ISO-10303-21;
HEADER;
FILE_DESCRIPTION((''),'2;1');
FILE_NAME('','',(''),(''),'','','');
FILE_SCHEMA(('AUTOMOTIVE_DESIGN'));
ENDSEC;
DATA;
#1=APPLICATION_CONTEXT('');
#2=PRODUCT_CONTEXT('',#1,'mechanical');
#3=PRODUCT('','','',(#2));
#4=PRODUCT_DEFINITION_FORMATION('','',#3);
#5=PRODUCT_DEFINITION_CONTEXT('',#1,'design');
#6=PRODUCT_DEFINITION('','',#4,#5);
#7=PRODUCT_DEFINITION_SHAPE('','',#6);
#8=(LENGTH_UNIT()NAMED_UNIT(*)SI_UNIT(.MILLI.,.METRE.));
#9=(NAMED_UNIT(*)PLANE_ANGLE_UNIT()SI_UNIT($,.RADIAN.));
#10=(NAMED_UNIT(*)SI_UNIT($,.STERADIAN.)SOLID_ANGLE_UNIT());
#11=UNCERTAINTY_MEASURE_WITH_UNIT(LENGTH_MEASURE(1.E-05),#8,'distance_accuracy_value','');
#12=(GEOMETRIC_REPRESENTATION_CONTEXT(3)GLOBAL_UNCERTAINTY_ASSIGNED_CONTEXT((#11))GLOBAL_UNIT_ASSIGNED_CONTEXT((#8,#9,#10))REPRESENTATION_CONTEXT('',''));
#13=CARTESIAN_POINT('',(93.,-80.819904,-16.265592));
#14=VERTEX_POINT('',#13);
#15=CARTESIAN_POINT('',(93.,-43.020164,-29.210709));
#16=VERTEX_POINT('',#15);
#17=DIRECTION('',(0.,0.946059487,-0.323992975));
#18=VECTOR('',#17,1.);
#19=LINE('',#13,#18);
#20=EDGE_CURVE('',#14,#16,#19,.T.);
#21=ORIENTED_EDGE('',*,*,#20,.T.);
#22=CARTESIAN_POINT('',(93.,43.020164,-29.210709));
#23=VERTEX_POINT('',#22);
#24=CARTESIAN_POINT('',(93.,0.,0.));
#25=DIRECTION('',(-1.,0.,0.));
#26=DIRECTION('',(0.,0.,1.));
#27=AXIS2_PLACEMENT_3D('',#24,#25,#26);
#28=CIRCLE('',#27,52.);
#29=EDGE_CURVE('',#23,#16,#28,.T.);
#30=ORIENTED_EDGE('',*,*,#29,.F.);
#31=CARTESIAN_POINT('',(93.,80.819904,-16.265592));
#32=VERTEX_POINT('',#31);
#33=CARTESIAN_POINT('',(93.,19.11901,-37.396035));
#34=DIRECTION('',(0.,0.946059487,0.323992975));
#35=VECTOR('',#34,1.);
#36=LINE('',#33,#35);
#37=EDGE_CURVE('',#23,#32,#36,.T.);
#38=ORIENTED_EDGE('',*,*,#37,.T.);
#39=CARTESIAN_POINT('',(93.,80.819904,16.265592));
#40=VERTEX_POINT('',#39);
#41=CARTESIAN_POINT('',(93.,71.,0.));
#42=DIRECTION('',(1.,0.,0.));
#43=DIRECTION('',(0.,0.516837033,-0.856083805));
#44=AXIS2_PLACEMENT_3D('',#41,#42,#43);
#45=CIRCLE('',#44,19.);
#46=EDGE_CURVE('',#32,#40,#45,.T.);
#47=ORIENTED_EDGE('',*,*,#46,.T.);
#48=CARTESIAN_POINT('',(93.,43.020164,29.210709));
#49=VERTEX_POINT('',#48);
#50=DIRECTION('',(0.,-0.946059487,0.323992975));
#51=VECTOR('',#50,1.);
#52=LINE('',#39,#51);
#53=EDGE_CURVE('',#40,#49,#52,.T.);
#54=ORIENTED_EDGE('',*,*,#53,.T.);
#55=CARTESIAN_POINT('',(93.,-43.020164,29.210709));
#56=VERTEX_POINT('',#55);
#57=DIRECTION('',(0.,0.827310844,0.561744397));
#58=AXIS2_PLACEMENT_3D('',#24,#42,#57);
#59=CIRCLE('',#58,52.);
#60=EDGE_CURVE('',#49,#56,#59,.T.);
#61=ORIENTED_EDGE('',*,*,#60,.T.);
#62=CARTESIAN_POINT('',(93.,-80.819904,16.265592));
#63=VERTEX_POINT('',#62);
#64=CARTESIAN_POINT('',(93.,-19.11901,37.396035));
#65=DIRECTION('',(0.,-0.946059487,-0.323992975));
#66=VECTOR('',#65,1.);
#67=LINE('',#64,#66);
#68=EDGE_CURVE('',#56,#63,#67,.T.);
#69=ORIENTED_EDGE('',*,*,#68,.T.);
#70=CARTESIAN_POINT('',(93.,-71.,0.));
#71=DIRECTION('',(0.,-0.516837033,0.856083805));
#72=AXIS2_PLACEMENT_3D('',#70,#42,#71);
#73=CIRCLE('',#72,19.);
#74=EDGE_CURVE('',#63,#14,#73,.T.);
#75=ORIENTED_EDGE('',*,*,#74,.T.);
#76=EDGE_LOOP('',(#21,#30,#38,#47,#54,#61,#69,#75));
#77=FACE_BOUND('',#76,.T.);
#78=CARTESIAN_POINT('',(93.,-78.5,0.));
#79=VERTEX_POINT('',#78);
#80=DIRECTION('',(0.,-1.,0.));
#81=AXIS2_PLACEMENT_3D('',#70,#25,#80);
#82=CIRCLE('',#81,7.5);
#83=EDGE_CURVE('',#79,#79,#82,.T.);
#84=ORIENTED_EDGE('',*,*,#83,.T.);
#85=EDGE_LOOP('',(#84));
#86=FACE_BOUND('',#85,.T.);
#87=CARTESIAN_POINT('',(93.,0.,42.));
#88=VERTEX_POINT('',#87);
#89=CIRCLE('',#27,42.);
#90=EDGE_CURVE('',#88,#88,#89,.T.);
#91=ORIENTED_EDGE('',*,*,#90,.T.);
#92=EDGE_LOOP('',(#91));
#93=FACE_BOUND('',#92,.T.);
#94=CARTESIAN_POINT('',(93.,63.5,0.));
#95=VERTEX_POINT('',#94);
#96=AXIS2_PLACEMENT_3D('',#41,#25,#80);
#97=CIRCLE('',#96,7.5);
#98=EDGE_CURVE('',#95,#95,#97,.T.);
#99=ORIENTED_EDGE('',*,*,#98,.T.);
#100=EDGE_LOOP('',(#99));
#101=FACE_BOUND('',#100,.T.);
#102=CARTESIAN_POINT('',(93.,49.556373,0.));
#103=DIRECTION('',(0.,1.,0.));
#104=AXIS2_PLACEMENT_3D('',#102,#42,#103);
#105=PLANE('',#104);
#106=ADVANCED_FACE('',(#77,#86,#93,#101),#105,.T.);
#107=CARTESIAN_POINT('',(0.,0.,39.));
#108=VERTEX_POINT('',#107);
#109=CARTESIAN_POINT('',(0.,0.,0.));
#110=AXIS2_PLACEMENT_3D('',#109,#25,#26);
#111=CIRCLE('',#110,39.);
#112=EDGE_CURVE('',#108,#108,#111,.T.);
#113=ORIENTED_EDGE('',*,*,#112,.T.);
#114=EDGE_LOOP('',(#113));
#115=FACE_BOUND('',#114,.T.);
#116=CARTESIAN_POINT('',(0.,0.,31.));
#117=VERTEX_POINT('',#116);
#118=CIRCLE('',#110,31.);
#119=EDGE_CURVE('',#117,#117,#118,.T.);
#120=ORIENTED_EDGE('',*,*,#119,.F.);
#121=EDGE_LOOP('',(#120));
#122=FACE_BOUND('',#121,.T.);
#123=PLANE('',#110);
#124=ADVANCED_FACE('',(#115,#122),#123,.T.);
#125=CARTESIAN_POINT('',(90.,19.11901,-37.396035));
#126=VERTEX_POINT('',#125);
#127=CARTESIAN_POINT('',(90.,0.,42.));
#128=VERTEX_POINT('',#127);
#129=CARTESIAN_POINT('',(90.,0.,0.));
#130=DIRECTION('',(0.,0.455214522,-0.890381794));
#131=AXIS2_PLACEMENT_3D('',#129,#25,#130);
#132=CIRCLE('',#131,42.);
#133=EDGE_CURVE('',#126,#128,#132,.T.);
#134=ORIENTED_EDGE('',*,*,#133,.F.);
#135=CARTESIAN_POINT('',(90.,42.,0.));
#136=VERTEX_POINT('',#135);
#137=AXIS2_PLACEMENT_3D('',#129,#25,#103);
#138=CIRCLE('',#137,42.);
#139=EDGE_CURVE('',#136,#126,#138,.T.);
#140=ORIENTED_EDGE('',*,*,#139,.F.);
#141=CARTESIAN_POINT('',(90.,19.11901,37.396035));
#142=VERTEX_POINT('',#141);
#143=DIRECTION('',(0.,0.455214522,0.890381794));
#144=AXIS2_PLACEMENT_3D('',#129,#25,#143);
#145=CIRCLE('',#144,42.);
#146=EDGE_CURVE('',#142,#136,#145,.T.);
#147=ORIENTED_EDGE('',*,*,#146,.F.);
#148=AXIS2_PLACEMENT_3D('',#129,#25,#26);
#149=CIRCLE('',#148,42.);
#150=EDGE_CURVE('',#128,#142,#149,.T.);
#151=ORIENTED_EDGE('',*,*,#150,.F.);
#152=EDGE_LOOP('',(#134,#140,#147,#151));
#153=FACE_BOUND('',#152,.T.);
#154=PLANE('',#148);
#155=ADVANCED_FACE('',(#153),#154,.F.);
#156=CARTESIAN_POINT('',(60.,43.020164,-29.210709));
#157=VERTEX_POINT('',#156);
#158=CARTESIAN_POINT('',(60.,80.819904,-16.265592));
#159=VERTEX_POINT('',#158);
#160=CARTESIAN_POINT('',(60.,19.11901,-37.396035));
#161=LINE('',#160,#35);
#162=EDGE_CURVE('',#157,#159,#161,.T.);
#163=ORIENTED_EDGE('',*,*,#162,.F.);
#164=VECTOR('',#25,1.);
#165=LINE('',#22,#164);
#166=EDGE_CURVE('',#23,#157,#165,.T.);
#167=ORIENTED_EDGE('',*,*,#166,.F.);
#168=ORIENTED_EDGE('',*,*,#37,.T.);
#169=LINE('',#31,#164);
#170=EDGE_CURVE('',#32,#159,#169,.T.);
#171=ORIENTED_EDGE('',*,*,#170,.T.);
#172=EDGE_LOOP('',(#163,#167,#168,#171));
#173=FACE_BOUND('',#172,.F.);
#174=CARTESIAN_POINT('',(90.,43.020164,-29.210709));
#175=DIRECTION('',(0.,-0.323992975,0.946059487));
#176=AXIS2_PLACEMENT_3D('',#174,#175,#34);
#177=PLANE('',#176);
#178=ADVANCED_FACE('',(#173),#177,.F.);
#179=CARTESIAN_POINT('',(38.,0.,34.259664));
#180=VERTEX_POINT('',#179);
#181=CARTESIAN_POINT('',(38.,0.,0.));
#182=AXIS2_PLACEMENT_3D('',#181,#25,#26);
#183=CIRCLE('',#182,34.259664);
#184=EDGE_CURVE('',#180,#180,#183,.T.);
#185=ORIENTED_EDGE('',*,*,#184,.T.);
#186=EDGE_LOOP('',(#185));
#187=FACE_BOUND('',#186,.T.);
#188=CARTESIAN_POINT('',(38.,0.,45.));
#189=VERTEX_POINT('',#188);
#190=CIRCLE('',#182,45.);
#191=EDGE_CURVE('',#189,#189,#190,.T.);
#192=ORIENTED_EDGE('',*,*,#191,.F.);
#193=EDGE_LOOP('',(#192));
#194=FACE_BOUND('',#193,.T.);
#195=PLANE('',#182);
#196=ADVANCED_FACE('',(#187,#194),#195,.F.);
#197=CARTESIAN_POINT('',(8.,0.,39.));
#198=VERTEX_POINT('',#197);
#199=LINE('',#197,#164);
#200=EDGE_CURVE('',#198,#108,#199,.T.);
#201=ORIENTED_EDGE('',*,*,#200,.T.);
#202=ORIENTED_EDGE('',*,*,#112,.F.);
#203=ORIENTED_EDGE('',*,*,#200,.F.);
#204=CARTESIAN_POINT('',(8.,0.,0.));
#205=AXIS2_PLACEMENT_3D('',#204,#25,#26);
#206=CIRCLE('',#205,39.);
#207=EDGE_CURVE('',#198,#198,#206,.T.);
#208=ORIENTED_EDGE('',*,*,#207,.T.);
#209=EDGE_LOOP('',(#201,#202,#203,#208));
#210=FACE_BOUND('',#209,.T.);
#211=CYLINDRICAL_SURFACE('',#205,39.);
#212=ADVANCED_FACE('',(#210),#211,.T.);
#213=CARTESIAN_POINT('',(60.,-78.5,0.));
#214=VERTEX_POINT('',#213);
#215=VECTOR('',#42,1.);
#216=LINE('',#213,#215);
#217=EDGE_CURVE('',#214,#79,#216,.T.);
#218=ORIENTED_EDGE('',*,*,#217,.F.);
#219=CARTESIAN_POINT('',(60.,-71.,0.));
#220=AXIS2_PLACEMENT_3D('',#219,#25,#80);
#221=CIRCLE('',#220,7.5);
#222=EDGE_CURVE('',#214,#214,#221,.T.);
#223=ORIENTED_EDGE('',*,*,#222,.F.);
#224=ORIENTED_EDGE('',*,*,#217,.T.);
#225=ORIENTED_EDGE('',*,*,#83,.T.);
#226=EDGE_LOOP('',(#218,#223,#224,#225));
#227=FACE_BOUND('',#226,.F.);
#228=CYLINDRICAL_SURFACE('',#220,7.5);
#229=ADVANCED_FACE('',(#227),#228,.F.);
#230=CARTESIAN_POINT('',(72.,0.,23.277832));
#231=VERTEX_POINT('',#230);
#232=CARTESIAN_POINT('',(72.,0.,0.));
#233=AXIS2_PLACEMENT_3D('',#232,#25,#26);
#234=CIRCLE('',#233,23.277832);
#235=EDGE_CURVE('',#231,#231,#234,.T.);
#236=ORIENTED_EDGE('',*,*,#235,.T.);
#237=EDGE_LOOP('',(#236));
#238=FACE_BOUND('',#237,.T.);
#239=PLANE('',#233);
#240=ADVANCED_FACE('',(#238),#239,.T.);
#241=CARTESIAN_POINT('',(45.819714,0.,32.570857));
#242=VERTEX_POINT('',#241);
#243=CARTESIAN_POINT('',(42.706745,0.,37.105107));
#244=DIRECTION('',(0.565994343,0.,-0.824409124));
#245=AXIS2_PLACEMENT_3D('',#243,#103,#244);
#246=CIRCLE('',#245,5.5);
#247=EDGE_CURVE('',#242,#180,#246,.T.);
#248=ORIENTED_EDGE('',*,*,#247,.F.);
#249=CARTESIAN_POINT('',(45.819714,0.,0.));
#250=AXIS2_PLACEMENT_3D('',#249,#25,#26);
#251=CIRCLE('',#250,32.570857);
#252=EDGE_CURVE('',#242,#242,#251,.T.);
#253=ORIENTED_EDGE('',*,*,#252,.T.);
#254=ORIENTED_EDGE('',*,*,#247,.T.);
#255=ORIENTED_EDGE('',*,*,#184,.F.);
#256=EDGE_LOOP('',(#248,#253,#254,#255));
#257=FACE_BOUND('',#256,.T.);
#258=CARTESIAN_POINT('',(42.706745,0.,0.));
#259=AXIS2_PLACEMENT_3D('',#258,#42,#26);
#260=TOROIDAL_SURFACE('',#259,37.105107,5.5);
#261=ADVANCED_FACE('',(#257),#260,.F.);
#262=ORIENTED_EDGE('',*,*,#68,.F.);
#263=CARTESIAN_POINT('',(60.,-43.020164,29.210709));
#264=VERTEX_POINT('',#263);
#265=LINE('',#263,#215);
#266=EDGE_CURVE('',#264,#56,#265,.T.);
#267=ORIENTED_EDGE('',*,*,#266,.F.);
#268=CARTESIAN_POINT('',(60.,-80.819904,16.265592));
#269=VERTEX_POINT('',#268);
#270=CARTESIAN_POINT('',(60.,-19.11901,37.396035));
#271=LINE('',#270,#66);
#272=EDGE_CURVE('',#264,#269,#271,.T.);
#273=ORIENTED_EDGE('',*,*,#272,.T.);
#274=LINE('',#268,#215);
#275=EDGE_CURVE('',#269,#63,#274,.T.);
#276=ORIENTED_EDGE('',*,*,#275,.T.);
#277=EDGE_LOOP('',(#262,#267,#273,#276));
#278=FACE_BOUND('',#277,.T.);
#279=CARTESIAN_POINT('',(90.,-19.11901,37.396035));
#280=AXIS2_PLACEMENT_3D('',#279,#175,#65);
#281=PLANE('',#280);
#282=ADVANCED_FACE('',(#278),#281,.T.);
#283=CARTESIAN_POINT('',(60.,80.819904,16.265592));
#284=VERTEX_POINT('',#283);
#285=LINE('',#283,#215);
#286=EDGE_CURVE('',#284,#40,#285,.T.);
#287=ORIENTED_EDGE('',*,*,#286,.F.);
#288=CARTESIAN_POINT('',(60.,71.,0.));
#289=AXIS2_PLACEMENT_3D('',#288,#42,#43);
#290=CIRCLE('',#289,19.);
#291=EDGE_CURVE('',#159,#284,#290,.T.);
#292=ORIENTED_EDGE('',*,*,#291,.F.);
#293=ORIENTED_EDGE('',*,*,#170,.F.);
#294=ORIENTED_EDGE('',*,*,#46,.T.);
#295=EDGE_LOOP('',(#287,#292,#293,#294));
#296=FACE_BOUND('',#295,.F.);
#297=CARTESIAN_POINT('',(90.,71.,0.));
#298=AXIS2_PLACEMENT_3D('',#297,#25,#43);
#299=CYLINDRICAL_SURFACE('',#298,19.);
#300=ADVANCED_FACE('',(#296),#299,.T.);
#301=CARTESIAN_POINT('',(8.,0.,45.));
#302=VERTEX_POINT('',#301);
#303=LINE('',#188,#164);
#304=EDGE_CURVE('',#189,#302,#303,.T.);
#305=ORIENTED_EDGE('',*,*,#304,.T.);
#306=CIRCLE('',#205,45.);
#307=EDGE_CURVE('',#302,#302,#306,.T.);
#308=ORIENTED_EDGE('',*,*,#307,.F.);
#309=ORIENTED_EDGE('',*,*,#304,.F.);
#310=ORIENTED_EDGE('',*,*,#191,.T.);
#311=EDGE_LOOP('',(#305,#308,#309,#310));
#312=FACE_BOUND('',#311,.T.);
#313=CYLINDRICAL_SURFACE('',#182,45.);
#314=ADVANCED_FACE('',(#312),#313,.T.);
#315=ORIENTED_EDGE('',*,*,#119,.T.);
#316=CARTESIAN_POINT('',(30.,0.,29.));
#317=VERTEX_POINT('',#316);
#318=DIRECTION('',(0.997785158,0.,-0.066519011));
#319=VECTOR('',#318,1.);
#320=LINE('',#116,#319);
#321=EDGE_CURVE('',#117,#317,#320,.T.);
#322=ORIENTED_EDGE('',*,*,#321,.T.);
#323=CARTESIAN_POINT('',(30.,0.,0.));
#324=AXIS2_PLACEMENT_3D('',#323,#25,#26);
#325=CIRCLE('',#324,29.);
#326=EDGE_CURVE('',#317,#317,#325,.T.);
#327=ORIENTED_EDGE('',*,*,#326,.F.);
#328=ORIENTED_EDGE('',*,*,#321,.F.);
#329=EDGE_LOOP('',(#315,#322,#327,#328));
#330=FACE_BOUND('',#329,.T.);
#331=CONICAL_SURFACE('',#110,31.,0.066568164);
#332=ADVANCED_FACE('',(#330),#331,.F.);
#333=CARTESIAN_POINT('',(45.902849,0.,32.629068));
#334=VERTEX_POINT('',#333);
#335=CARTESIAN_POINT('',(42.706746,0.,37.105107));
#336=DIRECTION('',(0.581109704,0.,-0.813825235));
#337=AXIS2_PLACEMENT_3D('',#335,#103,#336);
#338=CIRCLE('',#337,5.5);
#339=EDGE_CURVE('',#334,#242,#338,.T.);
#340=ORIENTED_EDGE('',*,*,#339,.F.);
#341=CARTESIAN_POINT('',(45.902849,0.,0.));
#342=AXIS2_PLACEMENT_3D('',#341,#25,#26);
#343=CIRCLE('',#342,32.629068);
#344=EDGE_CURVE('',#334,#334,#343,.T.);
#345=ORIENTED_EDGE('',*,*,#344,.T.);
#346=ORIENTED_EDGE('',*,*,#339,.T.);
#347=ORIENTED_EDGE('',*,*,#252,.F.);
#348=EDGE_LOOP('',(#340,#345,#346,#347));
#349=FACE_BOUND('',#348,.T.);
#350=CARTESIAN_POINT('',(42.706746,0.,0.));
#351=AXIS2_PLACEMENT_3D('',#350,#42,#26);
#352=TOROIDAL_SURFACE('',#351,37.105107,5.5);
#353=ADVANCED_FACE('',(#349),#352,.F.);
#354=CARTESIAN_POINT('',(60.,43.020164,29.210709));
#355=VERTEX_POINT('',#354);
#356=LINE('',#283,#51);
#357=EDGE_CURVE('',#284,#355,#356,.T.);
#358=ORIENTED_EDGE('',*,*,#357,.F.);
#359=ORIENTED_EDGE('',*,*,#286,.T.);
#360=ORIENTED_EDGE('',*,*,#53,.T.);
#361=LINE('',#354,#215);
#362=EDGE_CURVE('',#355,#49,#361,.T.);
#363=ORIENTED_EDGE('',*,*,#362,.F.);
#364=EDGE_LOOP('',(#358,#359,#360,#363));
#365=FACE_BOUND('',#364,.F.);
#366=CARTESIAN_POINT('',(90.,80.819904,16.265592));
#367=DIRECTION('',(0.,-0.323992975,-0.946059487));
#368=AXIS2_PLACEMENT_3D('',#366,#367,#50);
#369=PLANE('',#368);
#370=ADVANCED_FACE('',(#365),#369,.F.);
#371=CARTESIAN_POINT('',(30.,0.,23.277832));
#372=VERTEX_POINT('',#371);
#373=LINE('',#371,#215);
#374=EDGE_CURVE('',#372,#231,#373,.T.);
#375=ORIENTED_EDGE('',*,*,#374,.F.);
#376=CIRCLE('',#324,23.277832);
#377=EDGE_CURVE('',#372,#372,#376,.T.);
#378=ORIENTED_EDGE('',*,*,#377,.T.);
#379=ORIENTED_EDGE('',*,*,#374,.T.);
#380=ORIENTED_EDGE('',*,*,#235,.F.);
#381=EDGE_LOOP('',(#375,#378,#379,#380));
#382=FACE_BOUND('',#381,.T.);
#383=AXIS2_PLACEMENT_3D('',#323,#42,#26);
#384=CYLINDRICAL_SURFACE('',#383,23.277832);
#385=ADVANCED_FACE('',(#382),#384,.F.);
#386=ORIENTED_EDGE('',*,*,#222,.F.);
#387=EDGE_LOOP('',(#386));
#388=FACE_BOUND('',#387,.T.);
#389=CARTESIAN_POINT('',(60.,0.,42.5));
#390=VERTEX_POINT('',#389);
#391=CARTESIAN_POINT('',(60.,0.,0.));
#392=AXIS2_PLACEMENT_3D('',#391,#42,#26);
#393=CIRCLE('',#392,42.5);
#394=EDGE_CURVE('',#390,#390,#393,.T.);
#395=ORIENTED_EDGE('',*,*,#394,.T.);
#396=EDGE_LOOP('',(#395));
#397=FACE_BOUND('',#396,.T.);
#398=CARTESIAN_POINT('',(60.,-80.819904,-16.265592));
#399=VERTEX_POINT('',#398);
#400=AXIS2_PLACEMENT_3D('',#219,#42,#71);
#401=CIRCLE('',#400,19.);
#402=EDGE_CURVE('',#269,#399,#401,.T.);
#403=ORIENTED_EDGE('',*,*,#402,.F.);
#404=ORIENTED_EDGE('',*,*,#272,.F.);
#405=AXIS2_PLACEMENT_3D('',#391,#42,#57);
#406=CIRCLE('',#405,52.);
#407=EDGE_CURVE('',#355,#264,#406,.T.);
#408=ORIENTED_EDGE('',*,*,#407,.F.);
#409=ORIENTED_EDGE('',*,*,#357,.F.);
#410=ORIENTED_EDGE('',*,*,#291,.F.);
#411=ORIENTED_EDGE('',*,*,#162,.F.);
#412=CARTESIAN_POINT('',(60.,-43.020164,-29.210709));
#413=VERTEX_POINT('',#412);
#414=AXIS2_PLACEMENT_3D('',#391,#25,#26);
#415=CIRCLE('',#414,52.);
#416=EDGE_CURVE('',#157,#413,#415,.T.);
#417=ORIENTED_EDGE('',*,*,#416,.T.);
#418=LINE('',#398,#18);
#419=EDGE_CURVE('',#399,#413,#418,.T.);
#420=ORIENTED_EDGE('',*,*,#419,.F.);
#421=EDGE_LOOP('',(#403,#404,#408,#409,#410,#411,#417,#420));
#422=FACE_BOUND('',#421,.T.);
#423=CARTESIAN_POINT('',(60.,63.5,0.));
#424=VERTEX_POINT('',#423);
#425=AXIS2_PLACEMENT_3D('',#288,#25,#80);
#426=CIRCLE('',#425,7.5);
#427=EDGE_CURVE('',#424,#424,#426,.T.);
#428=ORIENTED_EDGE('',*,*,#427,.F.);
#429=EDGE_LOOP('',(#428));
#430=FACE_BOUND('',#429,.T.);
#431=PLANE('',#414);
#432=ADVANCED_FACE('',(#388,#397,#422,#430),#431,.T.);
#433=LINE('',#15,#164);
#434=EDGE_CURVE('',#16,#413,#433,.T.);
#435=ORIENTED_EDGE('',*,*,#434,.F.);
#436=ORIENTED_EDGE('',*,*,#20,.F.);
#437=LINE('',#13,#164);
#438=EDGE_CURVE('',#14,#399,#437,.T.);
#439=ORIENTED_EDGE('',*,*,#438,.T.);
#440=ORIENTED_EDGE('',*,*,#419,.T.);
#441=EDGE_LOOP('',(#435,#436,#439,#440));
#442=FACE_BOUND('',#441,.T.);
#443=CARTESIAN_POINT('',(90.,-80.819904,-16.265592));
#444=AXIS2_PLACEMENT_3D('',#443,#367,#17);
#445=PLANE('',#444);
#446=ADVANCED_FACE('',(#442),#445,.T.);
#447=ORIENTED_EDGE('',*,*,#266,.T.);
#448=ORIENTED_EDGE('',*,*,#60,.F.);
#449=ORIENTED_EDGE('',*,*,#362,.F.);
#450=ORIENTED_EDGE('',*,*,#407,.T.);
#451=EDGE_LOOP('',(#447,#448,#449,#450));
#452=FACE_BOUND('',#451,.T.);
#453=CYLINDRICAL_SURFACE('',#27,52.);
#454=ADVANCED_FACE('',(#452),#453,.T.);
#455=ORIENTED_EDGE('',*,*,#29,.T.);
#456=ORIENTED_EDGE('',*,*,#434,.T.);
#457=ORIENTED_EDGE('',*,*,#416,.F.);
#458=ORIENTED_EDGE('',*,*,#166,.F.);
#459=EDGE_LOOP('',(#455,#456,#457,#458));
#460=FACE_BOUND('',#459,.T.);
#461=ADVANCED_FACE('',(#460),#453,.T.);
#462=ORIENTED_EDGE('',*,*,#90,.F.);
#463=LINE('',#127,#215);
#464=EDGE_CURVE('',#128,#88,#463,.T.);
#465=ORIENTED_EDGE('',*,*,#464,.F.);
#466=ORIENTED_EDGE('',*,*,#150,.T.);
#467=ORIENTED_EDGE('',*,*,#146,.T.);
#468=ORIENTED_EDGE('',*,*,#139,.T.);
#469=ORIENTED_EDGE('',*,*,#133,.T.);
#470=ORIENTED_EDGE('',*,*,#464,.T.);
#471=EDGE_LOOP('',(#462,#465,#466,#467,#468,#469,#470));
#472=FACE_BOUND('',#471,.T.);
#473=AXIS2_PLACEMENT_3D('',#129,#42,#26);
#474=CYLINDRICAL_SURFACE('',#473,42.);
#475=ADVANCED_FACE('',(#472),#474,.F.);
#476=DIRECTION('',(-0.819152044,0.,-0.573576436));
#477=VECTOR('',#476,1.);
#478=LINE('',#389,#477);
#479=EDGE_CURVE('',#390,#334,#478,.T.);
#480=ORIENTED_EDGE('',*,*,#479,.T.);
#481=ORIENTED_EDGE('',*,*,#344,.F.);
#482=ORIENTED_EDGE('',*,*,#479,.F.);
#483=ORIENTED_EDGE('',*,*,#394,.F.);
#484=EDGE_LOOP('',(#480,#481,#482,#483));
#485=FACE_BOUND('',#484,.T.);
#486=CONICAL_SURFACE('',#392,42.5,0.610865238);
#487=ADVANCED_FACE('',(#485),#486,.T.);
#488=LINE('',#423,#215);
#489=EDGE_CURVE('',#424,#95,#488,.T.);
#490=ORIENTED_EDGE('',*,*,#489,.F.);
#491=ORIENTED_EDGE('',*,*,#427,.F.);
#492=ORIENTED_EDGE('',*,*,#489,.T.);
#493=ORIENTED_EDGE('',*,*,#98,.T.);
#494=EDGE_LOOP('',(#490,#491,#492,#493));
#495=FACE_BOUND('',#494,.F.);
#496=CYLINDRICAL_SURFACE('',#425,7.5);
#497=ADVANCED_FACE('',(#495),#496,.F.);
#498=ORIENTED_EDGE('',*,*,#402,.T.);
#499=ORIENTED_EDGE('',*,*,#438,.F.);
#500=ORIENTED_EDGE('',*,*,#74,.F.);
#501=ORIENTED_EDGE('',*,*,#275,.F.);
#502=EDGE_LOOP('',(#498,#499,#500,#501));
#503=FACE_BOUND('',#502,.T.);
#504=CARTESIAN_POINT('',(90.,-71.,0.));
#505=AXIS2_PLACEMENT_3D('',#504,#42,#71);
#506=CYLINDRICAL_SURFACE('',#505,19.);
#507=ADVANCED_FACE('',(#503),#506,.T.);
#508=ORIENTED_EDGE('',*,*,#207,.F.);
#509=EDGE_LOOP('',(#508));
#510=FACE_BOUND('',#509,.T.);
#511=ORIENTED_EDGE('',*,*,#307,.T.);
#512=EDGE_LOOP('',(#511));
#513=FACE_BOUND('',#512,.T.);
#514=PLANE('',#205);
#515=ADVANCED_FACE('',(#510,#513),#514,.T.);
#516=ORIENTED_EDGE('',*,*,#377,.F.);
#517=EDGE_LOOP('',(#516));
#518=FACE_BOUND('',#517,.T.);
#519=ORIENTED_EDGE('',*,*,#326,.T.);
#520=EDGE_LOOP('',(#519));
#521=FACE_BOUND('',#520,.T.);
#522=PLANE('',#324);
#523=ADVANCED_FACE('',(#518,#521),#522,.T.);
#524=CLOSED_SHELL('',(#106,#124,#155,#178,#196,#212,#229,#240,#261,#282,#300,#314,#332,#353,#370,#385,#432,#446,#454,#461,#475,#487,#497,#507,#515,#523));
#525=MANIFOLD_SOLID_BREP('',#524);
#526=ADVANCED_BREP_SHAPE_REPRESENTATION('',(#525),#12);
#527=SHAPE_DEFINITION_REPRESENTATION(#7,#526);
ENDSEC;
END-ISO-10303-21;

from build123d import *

# Parameters (mm, degrees)
F2_R     = 7.5
F3_DEPTH = 30
F4_DEPTH = 3
F5_R     = 7.5
F6_DEPTH = 33
F7_R     = 7.5
F8_DEPTH = 33


with BuildPart() as f1:
    # F0 (on Front) → F1 (revolve)
    with BuildSketch(Plane.XZ):
        with BuildLine():
            Line((0, 39), (0, 31))
            Line((0, 31), (30, 29))
            Line((30, 29), (30, 23.2778316429))
            Line((30, 23.2778316429), (72, 23.2778316429))
            Line((72, 23.2778316429), (72, 0))
            Line((72, 0), (90, 0))
            Line((90, 0), (90, 42))
            Line((90, 42), (93, 42))
            Line((93, 42), (93, 52))
            Line((93, 52), (60, 52))
            Line((60, 52), (60, 42.5))
            Line((60, 42.5), (45.9028487651, 32.629068438))
            ThreePointArc((45.9028487651, 32.629068438), (45.8614157942, 32.5997709837), (45.8197142818, 32.5708570462))
            ThreePointArc((45.8197142818, 32.5708570462), (41.5456906901, 31.7290536585), (38, 34.2596638885))
            Line((38, 34.2596638885), (38, 45))
            Line((38, 45), (8, 45))
            Line((8, 45), (8, 39))
            Line((8, 39), (0, 39))
        make_face()
    revolve(axis=Axis((81, 0, 0), (-1, 0, 0)))

    # F2 (on face) → F3 (join)
    with BuildSketch(Plane.YZ.offset(90)):
        with BuildLine():
            Line((-19.1190099356, 37.3960353391), (-80.8199036363, 16.2655922909))
            ThreePointArc((-80.8199036363, 16.2655922909), (-90, 0), (-80.8199036363, -16.2655922909))
            Line((-80.8199036363, -16.2655922909), (-19.1190099356, -37.3960353391))
            ThreePointArc((-19.1190099356, -37.3960353391), (-42, 0), (-19.1190099356, 37.3960353391))
        make_face()
        with Locations((-71, 0)):
            Circle(F2_R, mode=Mode.SUBTRACT)
        with BuildLine():
            Line((80.8199036363, 16.2655922909), (19.1190099356, 37.3960353391))
            ThreePointArc((19.1190099356, 37.3960353391), (35.825957191, 21.9203282674), (42, 0))
            ThreePointArc((42, 0), (35.825957191, -21.9203282674), (19.1190099356, -37.3960353391))
            Line((19.1190099356, -37.3960353391), (80.8199036363, -16.2655922909))
            ThreePointArc((80.8199036363, -16.2655922909), (90, 0), (80.8199036363, 16.2655922909))
        make_face()
        with Locations((71, 0)):
            Circle(F2_R, mode=Mode.SUBTRACT)
        with Locations((-71, 0)):
            Circle(F2_R)
        with Locations((71, 0)):
            Circle(F2_R)
    extrude(amount=-F3_DEPTH)

    # F4 (add): faces of the model
    f4_faces = [f1.faces().sort_by_distance(p)[0] for p in [
        (90, 66.461472241, 0),
        (90, -66.461472241, 0),
    ]]
    extrude(f4_faces, amount=F4_DEPTH)

    # F5 (on face) → F6 (cut)
    with BuildSketch(Plane(origin=(60, 0, 0), x_dir=(0, -1, 0), z_dir=(-1, 0, 0))):
        with Locations((-71, 0)):
            Circle(F5_R)
    extrude(amount=-F6_DEPTH, mode=Mode.SUBTRACT)

    # F7 (on face) → F8 (cut)
    with BuildSketch(Plane(origin=(60, 0, 0), x_dir=(0, -1, 0), z_dir=(-1, 0, 0))):
        with Locations((71, 0)):
            Circle(F7_R)
    extrude(amount=-F8_DEPTH, mode=Mode.SUBTRACT)


solid = f1.part
